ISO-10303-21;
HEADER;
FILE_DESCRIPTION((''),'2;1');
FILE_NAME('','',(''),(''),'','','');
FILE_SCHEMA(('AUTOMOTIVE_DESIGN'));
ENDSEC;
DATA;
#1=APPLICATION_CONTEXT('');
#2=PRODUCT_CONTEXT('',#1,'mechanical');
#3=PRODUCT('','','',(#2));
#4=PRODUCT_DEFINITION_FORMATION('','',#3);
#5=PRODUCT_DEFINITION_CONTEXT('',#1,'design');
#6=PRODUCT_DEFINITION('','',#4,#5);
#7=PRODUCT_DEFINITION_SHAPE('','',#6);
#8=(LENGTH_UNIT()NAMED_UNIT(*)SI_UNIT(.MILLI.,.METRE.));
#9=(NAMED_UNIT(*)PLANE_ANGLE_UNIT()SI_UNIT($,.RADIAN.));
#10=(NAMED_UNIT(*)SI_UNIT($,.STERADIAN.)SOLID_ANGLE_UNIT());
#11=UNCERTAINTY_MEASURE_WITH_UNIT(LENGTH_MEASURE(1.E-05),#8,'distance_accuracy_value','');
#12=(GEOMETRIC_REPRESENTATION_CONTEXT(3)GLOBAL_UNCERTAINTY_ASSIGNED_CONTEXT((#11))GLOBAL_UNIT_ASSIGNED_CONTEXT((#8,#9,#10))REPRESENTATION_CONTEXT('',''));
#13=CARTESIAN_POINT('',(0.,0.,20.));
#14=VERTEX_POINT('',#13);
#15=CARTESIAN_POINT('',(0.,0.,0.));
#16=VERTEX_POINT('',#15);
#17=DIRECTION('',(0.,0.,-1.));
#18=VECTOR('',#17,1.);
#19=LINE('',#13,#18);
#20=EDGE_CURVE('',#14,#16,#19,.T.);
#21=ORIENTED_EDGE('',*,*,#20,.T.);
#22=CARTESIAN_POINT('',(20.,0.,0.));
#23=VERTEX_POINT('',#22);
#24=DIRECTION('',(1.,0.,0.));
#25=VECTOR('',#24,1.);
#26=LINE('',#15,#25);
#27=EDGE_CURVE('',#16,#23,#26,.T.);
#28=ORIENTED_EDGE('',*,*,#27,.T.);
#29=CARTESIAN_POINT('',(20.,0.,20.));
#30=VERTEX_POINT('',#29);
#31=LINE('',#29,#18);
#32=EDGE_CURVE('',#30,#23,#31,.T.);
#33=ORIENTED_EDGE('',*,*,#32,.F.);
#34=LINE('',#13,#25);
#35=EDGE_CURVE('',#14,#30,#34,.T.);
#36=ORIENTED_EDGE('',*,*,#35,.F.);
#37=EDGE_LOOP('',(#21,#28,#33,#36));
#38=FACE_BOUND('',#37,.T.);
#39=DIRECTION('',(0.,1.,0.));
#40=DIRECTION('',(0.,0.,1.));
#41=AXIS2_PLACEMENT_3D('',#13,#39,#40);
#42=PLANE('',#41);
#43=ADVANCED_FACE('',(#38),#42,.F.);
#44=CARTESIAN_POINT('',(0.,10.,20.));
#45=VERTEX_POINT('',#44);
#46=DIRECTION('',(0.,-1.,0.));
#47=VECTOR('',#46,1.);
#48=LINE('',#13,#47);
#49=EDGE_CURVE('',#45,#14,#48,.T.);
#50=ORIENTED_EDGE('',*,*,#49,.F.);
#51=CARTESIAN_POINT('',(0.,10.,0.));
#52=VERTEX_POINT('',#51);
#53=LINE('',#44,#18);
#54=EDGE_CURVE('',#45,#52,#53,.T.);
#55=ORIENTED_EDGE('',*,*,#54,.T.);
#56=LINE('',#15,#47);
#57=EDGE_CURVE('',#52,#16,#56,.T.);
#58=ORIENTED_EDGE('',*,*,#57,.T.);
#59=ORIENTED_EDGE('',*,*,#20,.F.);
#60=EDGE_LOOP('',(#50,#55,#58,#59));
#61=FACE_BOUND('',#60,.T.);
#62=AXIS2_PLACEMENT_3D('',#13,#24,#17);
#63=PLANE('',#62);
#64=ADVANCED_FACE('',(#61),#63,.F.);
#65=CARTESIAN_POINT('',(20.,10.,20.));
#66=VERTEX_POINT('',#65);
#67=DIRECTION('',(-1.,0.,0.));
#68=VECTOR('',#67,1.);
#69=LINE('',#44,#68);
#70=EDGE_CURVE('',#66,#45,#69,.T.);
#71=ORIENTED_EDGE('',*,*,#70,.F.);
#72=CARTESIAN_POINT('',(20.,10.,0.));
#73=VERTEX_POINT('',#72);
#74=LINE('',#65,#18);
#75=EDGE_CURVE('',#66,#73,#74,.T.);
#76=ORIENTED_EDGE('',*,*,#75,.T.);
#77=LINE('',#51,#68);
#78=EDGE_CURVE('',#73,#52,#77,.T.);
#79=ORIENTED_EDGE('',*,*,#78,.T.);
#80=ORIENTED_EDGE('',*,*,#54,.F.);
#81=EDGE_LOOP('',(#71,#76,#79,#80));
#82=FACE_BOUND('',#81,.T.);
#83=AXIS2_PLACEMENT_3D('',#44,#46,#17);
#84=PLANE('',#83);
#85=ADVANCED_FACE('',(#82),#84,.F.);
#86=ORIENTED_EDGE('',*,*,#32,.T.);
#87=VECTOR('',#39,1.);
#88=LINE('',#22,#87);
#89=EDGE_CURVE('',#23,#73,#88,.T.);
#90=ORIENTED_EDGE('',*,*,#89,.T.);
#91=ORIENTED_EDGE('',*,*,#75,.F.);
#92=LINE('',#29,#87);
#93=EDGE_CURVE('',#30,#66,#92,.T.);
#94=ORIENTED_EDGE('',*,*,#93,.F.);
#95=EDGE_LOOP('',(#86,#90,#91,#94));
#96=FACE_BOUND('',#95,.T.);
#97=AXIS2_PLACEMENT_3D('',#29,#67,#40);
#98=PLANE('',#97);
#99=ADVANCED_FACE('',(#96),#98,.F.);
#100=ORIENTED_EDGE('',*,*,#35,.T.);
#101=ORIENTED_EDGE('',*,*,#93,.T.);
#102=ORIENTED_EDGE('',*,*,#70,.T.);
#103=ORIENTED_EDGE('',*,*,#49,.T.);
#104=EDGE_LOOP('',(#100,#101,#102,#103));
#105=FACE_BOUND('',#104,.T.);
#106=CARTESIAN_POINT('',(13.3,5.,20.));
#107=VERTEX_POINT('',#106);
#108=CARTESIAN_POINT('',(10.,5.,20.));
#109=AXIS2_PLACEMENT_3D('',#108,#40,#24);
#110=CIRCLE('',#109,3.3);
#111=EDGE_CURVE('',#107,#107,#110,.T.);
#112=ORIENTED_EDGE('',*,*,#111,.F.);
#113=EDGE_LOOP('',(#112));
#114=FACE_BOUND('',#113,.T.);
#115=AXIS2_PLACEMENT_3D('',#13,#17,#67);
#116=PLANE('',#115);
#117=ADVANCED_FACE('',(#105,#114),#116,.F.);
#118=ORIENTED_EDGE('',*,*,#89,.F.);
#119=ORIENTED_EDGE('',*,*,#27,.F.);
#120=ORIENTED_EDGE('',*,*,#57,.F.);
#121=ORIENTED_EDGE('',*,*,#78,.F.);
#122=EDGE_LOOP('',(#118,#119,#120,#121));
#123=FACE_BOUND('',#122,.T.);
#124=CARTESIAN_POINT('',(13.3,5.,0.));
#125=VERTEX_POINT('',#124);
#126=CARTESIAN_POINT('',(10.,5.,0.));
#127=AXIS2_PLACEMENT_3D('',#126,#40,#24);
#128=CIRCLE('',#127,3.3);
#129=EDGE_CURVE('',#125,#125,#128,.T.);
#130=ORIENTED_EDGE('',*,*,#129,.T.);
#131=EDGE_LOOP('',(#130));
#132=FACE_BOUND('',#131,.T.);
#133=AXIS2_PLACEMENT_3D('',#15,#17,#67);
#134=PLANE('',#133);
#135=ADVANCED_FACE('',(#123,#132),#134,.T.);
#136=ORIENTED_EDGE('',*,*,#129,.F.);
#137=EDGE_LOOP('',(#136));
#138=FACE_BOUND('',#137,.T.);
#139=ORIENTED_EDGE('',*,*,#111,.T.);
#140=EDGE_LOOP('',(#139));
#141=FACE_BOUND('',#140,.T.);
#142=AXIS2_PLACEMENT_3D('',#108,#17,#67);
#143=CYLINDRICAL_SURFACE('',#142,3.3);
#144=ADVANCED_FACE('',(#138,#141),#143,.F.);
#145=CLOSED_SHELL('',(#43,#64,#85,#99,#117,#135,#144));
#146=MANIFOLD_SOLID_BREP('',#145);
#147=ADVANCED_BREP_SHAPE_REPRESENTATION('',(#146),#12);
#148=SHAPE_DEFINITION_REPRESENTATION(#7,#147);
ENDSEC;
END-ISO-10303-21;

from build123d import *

# Parameters (mm, degrees)
SKETCH_1_W              = 20
SKETCH_1_H              = 10
SKETCH_1_R              = 3.3
END_STOP_20X10X20_DEPTH = 20


with BuildPart() as part:
    # 草图1 → End_stop_20x10x20 (new body)
    with BuildSketch(Plane.XY):
        with Locations((10, 5)):
            Rectangle(SKETCH_1_W, SKETCH_1_H)
        with Locations((10, 5)):
            Circle(SKETCH_1_R, mode=Mode.SUBTRACT)
    extrude(amount=END_STOP_20X10X20_DEPTH)


solid = part.part
